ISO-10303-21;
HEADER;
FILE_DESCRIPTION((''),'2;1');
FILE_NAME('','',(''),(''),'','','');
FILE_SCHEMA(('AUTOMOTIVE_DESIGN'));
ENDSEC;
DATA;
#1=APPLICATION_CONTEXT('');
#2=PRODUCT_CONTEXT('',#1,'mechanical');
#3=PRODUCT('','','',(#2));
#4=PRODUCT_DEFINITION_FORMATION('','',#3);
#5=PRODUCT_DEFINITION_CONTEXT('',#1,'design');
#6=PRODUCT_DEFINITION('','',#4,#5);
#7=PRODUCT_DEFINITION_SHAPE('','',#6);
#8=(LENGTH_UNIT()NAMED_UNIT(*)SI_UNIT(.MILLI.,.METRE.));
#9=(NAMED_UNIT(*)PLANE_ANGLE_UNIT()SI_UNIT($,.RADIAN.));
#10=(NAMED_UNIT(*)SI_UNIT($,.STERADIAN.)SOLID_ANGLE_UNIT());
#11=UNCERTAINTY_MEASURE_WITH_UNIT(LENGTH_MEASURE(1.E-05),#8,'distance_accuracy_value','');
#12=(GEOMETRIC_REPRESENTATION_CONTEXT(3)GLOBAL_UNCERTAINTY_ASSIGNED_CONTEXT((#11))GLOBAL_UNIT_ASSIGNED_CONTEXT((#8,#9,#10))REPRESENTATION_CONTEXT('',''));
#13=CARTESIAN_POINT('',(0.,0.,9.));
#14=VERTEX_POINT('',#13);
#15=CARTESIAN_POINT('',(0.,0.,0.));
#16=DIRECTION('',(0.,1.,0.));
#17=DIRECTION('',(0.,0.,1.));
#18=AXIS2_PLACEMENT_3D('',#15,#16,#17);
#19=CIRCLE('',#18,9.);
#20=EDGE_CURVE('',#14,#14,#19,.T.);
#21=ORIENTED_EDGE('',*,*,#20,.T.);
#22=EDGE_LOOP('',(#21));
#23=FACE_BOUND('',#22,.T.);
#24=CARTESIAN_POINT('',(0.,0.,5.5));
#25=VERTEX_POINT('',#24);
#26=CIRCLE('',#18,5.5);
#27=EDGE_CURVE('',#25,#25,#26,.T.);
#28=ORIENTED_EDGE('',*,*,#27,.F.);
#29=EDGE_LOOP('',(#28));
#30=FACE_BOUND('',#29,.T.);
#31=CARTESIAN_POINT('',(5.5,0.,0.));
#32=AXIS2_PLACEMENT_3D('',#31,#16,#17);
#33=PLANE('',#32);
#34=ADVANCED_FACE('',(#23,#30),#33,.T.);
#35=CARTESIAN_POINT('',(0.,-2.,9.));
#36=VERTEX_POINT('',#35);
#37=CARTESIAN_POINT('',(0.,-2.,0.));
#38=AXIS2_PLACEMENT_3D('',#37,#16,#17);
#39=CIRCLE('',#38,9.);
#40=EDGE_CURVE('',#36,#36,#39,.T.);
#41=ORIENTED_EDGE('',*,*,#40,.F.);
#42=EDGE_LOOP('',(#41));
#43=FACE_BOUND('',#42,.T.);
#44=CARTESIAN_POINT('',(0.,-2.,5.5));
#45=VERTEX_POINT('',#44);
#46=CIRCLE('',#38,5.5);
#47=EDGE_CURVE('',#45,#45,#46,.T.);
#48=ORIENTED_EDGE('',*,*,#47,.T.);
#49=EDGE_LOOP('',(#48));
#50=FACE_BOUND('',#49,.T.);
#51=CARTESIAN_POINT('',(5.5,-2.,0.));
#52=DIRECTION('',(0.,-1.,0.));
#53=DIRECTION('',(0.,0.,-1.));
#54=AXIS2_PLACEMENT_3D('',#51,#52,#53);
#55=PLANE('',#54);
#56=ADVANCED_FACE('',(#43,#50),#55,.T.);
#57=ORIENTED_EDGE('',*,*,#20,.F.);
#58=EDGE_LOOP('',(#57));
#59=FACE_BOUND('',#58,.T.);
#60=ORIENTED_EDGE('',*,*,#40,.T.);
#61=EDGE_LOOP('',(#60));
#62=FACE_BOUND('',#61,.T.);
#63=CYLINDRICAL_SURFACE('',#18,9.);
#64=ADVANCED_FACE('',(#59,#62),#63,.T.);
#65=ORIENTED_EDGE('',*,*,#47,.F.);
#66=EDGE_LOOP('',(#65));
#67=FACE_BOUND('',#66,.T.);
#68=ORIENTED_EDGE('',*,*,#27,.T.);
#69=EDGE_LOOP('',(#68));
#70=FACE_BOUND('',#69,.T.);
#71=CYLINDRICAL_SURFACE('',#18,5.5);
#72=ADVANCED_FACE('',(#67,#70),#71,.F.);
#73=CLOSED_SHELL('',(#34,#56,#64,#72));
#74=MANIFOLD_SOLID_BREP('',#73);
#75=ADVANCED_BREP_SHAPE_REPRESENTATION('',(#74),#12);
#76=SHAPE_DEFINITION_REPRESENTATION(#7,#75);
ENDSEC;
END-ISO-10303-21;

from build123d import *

# Parameters (mm, degrees)
BODYSKE_W = 3.5
BODYSKE_H = 2


with BuildPart() as part:
    # BodySke → BaseBody (revolve)
    with BuildSketch(Plane(origin=(0, 0, 0), x_dir=(1, 0, 0), z_dir=(0, 0, -1)), mode=Mode.PRIVATE) as basebody_sk:
        with Locations((7.25, 1)):
            Rectangle(BODYSKE_W, BODYSKE_H)
    revolve(basebody_sk.sketch.rotate(Axis((0, 0, 0), (0, -1, 0)), 90), axis=Axis((0, 0, 0), (0, -1, 0)))


solid = part.part
